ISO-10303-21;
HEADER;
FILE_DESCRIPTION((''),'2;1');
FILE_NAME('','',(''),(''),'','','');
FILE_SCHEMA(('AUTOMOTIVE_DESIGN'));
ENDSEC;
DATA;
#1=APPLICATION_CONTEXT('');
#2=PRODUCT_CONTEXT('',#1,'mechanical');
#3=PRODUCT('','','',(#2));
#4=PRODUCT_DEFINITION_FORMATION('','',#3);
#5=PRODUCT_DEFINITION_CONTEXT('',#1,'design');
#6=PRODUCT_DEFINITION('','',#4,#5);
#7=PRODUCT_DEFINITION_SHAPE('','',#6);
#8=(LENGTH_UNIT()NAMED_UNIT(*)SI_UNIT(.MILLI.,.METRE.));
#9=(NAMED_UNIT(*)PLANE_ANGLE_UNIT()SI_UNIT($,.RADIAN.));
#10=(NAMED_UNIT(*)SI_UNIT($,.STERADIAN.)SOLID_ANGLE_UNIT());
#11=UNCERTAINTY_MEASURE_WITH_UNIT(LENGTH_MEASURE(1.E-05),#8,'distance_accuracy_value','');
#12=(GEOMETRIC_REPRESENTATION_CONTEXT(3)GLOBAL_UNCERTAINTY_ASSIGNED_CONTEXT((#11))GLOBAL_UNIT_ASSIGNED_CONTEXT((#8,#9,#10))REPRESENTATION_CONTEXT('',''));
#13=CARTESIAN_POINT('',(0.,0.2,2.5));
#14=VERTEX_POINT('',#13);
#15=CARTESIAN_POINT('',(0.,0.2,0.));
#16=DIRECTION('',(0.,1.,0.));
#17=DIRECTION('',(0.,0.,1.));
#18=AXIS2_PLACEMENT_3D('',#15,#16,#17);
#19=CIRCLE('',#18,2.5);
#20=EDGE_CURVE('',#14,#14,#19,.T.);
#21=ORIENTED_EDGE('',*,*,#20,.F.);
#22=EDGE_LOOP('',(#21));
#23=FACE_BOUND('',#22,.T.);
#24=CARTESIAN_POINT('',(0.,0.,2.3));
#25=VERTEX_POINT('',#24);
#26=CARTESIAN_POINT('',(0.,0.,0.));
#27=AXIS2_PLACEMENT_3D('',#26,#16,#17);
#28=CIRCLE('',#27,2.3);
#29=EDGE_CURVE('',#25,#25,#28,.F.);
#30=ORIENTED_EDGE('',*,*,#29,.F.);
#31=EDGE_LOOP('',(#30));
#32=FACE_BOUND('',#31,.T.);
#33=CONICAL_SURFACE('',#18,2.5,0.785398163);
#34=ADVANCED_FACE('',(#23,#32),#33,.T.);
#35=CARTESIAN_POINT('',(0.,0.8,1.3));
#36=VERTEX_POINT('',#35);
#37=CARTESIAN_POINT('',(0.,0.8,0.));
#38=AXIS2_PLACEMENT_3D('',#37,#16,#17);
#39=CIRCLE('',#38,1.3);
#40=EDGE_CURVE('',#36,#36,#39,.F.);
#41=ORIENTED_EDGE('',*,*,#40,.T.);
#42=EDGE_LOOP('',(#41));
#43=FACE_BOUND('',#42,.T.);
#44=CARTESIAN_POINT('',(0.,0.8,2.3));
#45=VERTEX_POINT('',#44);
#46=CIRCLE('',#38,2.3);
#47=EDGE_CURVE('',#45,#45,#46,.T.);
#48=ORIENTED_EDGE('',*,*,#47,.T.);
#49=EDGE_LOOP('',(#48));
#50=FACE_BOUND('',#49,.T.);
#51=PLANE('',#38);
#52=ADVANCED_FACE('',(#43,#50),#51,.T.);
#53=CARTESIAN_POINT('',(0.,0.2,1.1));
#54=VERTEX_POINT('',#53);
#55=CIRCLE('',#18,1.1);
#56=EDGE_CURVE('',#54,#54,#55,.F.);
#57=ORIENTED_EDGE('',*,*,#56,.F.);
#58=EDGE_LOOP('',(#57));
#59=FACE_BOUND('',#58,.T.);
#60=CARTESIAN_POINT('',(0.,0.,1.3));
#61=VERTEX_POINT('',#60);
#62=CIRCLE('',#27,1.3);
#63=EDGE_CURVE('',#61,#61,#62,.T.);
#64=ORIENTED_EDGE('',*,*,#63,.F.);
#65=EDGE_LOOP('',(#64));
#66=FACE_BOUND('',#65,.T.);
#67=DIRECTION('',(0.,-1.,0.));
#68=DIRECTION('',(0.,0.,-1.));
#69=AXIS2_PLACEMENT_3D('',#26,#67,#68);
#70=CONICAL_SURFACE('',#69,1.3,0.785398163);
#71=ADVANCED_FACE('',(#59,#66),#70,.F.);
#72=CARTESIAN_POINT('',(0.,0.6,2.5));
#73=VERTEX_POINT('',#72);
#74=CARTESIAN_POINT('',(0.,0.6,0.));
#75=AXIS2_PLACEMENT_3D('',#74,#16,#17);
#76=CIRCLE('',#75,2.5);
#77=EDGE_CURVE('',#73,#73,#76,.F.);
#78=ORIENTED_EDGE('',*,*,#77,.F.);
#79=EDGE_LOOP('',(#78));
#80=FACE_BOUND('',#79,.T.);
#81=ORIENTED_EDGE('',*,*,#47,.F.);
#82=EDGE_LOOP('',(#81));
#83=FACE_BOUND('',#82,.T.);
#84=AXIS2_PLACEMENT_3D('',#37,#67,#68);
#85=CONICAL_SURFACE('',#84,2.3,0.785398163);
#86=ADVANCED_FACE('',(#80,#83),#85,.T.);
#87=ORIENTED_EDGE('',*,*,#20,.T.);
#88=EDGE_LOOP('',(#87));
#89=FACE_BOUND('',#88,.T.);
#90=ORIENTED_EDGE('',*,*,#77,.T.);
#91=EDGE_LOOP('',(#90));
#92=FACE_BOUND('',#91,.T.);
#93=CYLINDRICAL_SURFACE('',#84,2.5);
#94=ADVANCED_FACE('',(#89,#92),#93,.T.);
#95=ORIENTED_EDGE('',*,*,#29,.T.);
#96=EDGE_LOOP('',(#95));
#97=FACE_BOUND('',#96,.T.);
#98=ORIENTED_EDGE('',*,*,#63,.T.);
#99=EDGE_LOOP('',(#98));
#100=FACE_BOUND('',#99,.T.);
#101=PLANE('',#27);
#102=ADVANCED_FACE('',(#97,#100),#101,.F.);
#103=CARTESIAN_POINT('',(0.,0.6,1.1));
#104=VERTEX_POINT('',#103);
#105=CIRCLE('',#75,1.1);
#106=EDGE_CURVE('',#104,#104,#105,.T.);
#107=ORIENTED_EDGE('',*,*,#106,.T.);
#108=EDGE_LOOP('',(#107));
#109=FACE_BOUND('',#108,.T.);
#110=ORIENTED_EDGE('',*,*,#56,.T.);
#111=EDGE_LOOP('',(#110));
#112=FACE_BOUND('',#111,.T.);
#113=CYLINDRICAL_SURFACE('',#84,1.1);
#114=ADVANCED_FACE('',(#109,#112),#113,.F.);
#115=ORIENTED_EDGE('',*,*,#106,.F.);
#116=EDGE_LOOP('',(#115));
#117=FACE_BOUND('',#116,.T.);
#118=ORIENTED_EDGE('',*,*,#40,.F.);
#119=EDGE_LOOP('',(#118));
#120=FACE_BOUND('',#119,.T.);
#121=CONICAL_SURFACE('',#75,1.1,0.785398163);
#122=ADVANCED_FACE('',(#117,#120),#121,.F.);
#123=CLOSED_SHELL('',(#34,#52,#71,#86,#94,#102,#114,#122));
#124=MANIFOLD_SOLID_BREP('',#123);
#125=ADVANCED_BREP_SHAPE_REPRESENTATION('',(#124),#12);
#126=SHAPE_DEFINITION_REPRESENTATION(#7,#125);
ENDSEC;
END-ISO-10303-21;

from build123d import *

# Parameters (mm, degrees)
CROQUIS1_R              = 2.5
CROQUIS1_R_2            = 1.1
SALIENTE_EXTRUIR1_DEPTH = 0.8
CHAFL_N1_SIZE           = 0.2


with BuildPart() as part:
    # Croquis1 → Saliente-Extruir1 (new body)
    with BuildSketch(Plane(origin=(0, 0, 0), x_dir=(1, 0, 0), z_dir=(0, 1, 0))):
        Circle(CROQUIS1_R)
        Circle(CROQUIS1_R_2, mode=Mode.SUBTRACT)
    extrude(amount=SALIENTE_EXTRUIR1_DEPTH)

    # Chaflán1
    chafl_n1_edges = [part.edges().sort_by_distance(p)[0] for p in [
        (-2.5, 0, 0),
        (-2.5, 0.8, 0),
        (-1.1, 0, 0),
        (-1.1, 0.8, 0),
    ]]
    chamfer(chafl_n1_edges, length=CHAFL_N1_SIZE)


solid = part.part
